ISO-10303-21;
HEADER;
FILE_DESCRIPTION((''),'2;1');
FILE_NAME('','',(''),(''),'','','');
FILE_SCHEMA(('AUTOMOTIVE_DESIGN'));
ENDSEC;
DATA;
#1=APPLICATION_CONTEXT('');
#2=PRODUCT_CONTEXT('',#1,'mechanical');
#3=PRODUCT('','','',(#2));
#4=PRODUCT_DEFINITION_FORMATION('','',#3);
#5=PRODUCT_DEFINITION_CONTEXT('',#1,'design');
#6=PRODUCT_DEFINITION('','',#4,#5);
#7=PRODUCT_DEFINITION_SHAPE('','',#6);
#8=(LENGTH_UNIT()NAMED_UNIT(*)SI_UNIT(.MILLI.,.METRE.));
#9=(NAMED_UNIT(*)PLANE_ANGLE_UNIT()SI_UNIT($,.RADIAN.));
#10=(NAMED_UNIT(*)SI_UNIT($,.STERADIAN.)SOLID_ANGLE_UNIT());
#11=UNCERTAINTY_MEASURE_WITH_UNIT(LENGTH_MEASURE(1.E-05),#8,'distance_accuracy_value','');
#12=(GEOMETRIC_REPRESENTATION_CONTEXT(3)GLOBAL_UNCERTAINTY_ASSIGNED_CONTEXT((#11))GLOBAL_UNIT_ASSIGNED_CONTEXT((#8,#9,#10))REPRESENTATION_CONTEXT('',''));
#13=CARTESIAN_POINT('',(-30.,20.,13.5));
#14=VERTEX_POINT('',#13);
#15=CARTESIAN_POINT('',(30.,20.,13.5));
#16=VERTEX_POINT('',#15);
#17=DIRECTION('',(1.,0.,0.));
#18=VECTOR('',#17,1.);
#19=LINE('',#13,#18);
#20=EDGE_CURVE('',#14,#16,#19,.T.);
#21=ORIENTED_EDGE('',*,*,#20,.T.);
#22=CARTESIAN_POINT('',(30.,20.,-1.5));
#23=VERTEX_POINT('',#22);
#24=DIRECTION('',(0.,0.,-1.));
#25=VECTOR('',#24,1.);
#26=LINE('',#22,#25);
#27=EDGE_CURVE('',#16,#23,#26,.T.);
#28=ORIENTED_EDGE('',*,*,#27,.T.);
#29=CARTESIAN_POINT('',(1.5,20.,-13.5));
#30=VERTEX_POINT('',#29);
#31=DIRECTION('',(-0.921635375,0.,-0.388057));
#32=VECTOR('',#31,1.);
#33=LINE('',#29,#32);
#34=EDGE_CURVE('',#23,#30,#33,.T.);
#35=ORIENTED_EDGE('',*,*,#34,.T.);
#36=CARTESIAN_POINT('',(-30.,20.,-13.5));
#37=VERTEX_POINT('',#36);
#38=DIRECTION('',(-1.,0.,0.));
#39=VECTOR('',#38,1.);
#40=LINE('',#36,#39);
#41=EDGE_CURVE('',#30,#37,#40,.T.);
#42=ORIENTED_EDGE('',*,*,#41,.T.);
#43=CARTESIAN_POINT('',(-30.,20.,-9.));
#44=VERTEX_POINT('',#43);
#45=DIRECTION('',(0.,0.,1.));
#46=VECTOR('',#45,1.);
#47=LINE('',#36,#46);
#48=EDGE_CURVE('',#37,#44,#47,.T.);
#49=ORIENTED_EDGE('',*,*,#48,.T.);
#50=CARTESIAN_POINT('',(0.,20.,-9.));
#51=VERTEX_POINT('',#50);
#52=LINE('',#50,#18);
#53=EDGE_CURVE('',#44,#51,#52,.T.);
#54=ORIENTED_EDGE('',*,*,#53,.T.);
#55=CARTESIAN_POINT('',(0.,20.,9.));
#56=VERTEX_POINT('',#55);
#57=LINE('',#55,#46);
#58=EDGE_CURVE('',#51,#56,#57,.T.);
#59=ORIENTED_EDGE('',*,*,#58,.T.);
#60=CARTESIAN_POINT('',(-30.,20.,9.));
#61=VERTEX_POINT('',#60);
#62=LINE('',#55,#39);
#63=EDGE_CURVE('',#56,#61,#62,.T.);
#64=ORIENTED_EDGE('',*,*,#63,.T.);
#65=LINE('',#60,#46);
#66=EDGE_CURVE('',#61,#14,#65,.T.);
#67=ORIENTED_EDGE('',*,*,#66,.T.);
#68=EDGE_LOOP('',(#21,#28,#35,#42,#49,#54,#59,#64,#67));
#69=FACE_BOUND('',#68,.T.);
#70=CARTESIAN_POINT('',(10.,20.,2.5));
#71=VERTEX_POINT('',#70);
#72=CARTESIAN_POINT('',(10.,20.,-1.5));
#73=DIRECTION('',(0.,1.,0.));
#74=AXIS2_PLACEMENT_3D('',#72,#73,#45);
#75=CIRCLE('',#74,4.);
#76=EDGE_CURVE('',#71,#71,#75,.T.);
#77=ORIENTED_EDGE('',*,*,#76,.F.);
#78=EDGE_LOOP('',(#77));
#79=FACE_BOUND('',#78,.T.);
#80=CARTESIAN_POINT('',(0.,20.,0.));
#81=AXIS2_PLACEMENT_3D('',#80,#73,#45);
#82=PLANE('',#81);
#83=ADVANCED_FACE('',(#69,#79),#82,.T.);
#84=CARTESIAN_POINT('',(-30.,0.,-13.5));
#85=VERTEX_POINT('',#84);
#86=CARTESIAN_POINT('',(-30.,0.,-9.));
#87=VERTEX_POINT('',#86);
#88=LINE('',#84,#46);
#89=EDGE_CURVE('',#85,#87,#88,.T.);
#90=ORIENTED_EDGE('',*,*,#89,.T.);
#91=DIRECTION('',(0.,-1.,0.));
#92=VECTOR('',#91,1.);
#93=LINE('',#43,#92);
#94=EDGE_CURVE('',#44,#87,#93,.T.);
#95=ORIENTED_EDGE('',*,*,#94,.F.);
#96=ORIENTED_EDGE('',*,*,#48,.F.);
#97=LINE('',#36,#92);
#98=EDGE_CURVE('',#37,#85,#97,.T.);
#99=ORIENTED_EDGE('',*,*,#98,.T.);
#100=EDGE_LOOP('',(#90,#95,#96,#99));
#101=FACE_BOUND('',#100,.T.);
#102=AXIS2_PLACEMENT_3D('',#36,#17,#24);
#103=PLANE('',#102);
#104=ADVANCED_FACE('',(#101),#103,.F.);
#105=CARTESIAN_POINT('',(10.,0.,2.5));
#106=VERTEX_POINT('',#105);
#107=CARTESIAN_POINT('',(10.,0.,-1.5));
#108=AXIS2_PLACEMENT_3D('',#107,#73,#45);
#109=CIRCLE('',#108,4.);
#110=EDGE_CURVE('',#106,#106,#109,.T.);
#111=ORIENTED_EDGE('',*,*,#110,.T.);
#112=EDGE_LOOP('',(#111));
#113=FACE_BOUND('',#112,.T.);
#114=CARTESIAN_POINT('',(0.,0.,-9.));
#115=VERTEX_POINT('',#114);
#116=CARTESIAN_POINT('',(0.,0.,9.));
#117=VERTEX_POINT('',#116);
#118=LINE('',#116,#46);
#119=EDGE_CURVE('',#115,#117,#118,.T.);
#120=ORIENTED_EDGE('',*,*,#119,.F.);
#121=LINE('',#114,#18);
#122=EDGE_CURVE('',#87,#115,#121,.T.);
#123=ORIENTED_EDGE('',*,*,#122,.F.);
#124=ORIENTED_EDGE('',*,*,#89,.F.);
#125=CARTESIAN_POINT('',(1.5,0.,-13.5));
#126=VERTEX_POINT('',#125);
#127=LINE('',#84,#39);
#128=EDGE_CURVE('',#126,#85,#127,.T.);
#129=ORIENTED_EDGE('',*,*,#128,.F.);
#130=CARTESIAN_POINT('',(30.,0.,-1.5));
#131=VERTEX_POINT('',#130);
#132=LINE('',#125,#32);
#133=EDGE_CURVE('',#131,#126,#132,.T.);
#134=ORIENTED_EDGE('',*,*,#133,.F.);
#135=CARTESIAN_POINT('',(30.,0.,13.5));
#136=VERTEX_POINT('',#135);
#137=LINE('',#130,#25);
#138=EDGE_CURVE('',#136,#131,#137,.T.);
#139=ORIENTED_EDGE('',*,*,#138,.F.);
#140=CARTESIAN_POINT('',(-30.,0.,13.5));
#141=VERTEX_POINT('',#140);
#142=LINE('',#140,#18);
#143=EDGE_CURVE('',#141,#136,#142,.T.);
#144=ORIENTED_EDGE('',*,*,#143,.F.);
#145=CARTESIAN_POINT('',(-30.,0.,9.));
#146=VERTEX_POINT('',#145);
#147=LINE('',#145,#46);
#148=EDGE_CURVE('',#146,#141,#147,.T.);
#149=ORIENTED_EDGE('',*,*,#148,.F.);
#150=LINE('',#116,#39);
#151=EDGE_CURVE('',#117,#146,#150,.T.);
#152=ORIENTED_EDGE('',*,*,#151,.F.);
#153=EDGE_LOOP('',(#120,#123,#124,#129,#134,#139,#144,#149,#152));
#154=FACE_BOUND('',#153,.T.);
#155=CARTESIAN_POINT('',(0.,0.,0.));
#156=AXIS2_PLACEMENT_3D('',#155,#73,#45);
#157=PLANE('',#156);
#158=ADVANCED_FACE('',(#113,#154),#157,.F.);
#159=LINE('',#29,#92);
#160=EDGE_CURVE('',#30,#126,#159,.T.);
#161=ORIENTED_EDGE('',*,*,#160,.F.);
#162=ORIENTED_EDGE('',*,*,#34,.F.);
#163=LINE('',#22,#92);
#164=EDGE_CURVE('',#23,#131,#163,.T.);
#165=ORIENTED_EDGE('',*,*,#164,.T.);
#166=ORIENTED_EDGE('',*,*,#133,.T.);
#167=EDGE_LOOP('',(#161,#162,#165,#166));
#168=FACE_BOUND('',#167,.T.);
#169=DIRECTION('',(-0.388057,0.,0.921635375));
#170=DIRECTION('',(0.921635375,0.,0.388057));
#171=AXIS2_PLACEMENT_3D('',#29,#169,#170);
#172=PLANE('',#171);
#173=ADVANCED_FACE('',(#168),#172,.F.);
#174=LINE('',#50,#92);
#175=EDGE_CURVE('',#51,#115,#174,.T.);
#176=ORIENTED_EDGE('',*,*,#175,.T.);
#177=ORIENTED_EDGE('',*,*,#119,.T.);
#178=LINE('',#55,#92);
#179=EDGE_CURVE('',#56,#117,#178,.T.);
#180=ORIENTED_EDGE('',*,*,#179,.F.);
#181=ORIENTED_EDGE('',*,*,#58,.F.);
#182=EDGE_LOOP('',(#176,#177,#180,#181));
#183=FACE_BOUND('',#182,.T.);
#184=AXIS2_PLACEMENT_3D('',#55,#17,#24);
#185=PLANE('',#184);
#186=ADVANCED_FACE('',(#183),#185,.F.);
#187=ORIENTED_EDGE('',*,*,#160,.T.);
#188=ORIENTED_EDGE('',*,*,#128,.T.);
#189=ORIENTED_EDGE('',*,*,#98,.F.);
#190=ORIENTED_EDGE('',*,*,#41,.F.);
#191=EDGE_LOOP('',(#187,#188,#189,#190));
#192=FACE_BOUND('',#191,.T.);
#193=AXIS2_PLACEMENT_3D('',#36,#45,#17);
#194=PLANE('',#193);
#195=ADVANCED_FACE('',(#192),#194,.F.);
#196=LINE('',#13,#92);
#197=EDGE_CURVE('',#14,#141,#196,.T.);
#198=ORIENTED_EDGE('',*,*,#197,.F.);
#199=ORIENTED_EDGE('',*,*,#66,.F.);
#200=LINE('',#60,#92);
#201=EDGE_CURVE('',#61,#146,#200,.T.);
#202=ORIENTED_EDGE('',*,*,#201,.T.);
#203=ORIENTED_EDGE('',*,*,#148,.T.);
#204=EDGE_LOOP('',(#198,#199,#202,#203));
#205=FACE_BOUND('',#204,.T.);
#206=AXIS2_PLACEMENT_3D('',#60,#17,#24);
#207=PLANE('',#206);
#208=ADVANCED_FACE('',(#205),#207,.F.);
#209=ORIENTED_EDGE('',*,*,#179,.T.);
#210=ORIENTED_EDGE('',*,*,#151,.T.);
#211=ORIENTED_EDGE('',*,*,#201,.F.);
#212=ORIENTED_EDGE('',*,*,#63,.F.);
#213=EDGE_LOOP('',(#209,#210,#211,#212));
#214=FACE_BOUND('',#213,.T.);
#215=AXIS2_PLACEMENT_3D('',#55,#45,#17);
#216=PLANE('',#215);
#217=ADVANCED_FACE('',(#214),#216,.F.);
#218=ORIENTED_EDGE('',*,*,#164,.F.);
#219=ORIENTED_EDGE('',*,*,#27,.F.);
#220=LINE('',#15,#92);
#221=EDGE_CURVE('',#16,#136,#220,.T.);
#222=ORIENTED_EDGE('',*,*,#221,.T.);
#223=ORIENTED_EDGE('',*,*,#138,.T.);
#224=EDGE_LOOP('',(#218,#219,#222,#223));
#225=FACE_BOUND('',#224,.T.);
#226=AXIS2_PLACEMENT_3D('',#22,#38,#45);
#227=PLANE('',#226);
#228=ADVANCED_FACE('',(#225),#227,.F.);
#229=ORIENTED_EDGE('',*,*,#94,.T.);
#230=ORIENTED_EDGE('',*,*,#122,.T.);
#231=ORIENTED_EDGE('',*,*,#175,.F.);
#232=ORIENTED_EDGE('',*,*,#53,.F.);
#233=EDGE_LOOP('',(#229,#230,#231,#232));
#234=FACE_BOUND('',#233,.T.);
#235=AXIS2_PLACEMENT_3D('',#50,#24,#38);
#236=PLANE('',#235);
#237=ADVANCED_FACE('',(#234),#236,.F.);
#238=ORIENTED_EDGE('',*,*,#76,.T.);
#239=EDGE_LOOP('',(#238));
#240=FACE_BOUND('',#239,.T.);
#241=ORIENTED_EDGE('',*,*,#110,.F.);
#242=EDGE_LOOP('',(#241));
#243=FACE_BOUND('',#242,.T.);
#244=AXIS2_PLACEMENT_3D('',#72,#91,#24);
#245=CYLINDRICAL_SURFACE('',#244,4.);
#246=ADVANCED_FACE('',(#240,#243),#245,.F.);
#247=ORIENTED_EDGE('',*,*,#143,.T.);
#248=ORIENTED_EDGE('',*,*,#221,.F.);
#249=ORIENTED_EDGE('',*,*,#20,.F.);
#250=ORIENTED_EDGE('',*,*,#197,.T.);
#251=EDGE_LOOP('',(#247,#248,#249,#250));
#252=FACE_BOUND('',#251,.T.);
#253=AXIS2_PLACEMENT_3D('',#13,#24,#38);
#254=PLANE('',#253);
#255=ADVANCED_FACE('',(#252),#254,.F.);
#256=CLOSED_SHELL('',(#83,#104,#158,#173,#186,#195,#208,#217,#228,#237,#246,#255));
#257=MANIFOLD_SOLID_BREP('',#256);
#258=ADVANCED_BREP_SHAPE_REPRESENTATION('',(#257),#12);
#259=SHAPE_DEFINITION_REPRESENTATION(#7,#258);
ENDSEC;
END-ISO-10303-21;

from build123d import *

# Parameters (mm, degrees)
SKETCH_1_R      = 4
EXTRUDE_1_DEPTH = 20


with BuildPart() as part:
    # 草图1 → 凸台-拉伸1 (new body)
    with BuildSketch(Plane(origin=(0, 0, 0), x_dir=(1, 0, 0), z_dir=(0, 1, 0))):
        Polygon((-30, 13.5), (1.5, 13.5), (30, 1.5), (30, -13.5), (-30, -13.5), (-30, -9), (0, -9), (0, 9), (-30, 9), align=None)
        with Locations(Location((10, 1.5, 0), (0, 0, 270))):
            Circle(SKETCH_1_R, mode=Mode.SUBTRACT)
    extrude(amount=EXTRUDE_1_DEPTH)


solid = part.part
